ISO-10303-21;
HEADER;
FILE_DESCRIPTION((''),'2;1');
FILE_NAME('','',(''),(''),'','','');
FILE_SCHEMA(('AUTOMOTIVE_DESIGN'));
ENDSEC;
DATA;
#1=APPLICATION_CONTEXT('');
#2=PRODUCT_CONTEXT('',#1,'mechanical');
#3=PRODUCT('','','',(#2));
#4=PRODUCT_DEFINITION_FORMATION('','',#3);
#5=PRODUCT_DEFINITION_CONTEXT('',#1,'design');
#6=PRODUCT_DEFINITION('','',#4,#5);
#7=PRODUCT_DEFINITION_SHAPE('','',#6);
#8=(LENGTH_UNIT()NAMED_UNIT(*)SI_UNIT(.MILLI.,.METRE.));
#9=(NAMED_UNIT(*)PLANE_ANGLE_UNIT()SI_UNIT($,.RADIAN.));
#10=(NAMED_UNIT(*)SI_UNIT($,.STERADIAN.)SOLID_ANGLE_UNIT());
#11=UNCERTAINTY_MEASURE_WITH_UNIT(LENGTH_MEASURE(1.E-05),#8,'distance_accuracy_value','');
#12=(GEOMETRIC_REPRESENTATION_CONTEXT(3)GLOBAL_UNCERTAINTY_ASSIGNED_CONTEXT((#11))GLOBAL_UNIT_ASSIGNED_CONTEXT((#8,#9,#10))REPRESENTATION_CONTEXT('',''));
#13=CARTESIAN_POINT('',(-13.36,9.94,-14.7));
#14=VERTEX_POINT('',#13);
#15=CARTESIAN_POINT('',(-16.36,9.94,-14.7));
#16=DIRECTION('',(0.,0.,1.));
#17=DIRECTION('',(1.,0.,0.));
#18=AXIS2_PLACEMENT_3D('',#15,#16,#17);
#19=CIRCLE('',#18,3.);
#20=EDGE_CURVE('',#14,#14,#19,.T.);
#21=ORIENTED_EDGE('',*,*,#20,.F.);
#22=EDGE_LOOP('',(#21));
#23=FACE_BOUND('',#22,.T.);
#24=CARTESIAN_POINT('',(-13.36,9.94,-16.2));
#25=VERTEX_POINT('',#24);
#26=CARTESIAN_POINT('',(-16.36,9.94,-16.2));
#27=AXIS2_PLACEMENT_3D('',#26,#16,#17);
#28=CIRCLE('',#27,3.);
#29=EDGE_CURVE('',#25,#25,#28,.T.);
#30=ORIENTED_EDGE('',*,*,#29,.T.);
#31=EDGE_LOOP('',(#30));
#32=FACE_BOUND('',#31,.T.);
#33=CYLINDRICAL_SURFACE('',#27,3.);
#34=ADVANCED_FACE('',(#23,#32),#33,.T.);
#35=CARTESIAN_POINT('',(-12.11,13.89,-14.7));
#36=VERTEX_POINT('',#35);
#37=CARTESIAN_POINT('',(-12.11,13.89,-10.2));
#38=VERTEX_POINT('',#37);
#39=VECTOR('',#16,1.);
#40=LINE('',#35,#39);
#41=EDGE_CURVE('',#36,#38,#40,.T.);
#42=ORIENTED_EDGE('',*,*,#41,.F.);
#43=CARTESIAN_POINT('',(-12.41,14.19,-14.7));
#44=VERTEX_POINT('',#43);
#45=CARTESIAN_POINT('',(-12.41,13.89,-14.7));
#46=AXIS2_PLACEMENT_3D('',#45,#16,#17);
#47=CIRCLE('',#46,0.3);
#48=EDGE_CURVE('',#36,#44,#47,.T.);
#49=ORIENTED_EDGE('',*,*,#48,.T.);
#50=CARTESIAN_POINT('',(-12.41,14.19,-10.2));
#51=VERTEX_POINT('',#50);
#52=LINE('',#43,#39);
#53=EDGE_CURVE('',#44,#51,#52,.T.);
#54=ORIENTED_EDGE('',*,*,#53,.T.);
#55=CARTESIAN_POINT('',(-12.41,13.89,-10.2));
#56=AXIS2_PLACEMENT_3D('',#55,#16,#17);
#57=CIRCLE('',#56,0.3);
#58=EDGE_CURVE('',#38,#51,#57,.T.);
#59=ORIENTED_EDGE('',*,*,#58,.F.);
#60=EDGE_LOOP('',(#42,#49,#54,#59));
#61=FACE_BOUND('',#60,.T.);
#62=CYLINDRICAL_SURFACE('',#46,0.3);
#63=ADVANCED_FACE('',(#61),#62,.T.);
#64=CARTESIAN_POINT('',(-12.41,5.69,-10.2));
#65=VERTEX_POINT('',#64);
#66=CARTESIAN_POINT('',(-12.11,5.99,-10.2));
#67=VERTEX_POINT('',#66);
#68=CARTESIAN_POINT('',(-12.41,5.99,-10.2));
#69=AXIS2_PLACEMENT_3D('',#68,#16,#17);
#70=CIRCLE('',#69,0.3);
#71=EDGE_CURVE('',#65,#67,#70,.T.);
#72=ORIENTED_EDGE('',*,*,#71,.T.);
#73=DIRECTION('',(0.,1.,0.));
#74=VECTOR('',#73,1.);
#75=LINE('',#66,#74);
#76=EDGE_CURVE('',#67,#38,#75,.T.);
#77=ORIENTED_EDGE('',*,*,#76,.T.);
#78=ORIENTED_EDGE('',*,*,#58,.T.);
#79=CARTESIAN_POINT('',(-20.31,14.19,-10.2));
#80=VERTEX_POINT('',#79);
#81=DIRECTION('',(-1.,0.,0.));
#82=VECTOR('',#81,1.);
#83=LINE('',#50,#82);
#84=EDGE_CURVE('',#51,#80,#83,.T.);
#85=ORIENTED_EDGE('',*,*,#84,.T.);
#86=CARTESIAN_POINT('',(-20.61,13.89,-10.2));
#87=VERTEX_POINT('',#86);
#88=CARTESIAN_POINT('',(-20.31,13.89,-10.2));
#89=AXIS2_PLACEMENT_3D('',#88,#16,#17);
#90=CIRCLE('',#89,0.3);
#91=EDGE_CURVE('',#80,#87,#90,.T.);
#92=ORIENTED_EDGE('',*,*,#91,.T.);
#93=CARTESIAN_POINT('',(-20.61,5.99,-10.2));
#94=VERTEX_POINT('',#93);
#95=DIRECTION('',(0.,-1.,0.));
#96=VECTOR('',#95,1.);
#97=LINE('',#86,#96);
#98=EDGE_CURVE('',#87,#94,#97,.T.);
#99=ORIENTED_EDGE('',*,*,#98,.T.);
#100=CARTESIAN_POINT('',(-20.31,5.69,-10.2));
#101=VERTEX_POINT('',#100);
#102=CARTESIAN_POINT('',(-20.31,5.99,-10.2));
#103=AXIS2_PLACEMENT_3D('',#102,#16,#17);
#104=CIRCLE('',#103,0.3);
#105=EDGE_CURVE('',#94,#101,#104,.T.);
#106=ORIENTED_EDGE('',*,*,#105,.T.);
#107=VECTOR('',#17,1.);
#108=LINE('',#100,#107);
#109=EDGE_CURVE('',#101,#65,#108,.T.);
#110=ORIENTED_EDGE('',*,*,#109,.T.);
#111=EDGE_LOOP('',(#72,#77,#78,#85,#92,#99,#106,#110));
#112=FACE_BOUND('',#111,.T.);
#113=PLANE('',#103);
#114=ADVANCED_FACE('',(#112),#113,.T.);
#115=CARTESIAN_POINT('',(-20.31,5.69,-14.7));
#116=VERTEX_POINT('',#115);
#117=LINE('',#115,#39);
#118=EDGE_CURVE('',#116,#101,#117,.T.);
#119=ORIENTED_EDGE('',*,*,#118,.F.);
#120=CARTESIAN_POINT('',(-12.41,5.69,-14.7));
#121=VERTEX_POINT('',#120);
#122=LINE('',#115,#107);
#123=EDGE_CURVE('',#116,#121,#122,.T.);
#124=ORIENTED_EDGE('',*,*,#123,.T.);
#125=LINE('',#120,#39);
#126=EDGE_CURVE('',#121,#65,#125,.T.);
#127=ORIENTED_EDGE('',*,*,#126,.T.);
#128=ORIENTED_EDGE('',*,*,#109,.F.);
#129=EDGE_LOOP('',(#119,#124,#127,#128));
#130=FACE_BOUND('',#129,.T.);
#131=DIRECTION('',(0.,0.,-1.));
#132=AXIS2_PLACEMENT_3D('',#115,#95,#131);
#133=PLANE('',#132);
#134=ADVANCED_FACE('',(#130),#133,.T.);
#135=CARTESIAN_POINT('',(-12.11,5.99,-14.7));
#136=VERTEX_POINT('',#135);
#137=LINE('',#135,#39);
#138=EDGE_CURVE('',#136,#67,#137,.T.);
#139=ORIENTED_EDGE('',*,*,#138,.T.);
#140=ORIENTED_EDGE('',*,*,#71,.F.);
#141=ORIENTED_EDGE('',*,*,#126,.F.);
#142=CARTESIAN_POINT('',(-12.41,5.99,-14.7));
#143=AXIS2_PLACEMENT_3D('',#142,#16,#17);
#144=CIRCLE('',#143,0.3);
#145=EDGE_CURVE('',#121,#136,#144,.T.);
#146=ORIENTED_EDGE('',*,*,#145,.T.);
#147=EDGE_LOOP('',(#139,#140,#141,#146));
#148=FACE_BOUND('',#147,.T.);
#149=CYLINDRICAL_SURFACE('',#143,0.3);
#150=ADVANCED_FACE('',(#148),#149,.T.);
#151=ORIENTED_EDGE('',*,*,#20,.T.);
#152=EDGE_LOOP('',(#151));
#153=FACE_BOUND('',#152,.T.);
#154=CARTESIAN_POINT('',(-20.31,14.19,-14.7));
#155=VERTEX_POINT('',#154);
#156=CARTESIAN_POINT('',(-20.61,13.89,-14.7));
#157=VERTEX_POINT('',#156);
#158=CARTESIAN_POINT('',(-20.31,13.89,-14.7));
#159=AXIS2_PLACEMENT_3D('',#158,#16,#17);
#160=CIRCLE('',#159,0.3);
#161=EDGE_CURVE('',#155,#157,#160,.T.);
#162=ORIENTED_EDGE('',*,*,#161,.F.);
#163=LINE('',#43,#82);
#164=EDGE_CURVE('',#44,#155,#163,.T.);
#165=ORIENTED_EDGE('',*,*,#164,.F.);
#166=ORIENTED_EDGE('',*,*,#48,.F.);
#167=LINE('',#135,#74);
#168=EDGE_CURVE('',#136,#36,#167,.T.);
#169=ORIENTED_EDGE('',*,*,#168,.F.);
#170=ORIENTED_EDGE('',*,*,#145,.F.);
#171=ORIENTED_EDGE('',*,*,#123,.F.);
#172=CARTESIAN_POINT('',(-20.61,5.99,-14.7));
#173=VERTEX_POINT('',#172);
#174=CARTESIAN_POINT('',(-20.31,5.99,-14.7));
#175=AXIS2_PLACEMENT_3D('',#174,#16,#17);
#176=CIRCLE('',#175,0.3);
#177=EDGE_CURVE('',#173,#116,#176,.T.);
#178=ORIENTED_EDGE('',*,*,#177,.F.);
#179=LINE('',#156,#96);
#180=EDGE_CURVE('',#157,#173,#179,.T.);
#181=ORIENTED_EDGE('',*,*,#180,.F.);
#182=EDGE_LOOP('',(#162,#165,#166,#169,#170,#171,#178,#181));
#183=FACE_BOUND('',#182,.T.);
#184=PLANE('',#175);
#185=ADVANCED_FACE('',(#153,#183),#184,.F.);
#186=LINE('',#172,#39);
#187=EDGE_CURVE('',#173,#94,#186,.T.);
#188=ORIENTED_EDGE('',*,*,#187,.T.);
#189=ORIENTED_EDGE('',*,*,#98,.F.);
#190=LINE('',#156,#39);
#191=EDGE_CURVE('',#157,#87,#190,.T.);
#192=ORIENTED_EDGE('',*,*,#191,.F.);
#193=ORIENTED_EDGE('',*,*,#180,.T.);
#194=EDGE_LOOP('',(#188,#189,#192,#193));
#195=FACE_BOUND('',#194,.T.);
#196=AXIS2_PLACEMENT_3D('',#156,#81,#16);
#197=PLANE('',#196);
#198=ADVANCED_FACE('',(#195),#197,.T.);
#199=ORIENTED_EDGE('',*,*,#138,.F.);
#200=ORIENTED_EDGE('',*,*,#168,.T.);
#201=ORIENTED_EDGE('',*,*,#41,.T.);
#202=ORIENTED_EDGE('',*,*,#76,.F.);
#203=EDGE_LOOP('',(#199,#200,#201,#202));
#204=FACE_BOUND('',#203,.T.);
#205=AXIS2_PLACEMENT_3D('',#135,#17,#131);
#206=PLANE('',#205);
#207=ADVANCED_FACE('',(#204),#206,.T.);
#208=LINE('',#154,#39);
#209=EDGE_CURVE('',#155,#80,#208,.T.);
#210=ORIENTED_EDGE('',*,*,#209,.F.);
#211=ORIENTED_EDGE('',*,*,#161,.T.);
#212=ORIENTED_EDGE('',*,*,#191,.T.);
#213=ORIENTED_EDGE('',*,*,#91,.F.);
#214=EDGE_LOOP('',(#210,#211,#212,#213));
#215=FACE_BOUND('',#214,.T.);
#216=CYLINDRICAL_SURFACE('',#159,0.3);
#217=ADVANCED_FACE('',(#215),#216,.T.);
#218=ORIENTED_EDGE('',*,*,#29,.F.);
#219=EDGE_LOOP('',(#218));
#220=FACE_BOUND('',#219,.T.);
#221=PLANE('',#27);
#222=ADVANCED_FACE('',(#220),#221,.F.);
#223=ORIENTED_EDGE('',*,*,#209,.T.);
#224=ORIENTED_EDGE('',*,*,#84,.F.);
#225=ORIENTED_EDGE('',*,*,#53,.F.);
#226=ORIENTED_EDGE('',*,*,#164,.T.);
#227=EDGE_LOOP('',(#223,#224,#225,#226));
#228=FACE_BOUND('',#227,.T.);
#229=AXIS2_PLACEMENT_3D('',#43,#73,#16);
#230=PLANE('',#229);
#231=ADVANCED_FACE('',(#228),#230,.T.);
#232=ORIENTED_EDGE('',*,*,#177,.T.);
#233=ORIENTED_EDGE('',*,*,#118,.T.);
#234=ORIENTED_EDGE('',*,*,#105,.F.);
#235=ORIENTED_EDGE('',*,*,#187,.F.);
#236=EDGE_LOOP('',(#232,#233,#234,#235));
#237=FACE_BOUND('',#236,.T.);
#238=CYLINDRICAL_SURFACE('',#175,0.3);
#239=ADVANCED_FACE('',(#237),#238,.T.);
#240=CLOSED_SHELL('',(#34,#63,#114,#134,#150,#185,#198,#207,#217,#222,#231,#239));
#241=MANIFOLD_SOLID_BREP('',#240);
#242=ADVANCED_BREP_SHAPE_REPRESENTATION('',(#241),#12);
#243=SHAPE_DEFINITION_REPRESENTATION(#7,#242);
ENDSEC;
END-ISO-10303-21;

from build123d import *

# Parameters (mm, degrees)
BODY_DEPTH = 4.5
LENS_SK2_R = 3
LENS_DEPTH = 1.5


with BuildPart() as part:
    # Body_Sk1 → Body (new body)
    with BuildSketch(Plane.XY.offset(-10.2)):
        with BuildLine():
            Line((-20.31, 5.69), (-12.41, 5.69))
            ThreePointArc((-12.41, 5.69), (-12.197867966, 5.777867966), (-12.11, 5.99))
            Line((-12.11, 5.99), (-12.11, 13.89))
            ThreePointArc((-12.11, 13.89), (-12.197867966, 14.102132034), (-12.41, 14.19))
            Line((-12.41, 14.19), (-20.31, 14.19))
            ThreePointArc((-20.31, 14.19), (-20.522132034, 14.102132034), (-20.61, 13.89))
            Line((-20.61, 13.89), (-20.61, 5.99))
            ThreePointArc((-20.61, 5.99), (-20.522132034, 5.777867966), (-20.31, 5.69))
        make_face()
    extrude(amount=-BODY_DEPTH)

    # Lens_Sk2 → Lens (add)
    with BuildSketch(Plane.XY.offset(-14.7)):
        with Locations((-16.36, 9.94)):
            Circle(LENS_SK2_R)
    extrude(amount=-LENS_DEPTH)


solid = part.part
